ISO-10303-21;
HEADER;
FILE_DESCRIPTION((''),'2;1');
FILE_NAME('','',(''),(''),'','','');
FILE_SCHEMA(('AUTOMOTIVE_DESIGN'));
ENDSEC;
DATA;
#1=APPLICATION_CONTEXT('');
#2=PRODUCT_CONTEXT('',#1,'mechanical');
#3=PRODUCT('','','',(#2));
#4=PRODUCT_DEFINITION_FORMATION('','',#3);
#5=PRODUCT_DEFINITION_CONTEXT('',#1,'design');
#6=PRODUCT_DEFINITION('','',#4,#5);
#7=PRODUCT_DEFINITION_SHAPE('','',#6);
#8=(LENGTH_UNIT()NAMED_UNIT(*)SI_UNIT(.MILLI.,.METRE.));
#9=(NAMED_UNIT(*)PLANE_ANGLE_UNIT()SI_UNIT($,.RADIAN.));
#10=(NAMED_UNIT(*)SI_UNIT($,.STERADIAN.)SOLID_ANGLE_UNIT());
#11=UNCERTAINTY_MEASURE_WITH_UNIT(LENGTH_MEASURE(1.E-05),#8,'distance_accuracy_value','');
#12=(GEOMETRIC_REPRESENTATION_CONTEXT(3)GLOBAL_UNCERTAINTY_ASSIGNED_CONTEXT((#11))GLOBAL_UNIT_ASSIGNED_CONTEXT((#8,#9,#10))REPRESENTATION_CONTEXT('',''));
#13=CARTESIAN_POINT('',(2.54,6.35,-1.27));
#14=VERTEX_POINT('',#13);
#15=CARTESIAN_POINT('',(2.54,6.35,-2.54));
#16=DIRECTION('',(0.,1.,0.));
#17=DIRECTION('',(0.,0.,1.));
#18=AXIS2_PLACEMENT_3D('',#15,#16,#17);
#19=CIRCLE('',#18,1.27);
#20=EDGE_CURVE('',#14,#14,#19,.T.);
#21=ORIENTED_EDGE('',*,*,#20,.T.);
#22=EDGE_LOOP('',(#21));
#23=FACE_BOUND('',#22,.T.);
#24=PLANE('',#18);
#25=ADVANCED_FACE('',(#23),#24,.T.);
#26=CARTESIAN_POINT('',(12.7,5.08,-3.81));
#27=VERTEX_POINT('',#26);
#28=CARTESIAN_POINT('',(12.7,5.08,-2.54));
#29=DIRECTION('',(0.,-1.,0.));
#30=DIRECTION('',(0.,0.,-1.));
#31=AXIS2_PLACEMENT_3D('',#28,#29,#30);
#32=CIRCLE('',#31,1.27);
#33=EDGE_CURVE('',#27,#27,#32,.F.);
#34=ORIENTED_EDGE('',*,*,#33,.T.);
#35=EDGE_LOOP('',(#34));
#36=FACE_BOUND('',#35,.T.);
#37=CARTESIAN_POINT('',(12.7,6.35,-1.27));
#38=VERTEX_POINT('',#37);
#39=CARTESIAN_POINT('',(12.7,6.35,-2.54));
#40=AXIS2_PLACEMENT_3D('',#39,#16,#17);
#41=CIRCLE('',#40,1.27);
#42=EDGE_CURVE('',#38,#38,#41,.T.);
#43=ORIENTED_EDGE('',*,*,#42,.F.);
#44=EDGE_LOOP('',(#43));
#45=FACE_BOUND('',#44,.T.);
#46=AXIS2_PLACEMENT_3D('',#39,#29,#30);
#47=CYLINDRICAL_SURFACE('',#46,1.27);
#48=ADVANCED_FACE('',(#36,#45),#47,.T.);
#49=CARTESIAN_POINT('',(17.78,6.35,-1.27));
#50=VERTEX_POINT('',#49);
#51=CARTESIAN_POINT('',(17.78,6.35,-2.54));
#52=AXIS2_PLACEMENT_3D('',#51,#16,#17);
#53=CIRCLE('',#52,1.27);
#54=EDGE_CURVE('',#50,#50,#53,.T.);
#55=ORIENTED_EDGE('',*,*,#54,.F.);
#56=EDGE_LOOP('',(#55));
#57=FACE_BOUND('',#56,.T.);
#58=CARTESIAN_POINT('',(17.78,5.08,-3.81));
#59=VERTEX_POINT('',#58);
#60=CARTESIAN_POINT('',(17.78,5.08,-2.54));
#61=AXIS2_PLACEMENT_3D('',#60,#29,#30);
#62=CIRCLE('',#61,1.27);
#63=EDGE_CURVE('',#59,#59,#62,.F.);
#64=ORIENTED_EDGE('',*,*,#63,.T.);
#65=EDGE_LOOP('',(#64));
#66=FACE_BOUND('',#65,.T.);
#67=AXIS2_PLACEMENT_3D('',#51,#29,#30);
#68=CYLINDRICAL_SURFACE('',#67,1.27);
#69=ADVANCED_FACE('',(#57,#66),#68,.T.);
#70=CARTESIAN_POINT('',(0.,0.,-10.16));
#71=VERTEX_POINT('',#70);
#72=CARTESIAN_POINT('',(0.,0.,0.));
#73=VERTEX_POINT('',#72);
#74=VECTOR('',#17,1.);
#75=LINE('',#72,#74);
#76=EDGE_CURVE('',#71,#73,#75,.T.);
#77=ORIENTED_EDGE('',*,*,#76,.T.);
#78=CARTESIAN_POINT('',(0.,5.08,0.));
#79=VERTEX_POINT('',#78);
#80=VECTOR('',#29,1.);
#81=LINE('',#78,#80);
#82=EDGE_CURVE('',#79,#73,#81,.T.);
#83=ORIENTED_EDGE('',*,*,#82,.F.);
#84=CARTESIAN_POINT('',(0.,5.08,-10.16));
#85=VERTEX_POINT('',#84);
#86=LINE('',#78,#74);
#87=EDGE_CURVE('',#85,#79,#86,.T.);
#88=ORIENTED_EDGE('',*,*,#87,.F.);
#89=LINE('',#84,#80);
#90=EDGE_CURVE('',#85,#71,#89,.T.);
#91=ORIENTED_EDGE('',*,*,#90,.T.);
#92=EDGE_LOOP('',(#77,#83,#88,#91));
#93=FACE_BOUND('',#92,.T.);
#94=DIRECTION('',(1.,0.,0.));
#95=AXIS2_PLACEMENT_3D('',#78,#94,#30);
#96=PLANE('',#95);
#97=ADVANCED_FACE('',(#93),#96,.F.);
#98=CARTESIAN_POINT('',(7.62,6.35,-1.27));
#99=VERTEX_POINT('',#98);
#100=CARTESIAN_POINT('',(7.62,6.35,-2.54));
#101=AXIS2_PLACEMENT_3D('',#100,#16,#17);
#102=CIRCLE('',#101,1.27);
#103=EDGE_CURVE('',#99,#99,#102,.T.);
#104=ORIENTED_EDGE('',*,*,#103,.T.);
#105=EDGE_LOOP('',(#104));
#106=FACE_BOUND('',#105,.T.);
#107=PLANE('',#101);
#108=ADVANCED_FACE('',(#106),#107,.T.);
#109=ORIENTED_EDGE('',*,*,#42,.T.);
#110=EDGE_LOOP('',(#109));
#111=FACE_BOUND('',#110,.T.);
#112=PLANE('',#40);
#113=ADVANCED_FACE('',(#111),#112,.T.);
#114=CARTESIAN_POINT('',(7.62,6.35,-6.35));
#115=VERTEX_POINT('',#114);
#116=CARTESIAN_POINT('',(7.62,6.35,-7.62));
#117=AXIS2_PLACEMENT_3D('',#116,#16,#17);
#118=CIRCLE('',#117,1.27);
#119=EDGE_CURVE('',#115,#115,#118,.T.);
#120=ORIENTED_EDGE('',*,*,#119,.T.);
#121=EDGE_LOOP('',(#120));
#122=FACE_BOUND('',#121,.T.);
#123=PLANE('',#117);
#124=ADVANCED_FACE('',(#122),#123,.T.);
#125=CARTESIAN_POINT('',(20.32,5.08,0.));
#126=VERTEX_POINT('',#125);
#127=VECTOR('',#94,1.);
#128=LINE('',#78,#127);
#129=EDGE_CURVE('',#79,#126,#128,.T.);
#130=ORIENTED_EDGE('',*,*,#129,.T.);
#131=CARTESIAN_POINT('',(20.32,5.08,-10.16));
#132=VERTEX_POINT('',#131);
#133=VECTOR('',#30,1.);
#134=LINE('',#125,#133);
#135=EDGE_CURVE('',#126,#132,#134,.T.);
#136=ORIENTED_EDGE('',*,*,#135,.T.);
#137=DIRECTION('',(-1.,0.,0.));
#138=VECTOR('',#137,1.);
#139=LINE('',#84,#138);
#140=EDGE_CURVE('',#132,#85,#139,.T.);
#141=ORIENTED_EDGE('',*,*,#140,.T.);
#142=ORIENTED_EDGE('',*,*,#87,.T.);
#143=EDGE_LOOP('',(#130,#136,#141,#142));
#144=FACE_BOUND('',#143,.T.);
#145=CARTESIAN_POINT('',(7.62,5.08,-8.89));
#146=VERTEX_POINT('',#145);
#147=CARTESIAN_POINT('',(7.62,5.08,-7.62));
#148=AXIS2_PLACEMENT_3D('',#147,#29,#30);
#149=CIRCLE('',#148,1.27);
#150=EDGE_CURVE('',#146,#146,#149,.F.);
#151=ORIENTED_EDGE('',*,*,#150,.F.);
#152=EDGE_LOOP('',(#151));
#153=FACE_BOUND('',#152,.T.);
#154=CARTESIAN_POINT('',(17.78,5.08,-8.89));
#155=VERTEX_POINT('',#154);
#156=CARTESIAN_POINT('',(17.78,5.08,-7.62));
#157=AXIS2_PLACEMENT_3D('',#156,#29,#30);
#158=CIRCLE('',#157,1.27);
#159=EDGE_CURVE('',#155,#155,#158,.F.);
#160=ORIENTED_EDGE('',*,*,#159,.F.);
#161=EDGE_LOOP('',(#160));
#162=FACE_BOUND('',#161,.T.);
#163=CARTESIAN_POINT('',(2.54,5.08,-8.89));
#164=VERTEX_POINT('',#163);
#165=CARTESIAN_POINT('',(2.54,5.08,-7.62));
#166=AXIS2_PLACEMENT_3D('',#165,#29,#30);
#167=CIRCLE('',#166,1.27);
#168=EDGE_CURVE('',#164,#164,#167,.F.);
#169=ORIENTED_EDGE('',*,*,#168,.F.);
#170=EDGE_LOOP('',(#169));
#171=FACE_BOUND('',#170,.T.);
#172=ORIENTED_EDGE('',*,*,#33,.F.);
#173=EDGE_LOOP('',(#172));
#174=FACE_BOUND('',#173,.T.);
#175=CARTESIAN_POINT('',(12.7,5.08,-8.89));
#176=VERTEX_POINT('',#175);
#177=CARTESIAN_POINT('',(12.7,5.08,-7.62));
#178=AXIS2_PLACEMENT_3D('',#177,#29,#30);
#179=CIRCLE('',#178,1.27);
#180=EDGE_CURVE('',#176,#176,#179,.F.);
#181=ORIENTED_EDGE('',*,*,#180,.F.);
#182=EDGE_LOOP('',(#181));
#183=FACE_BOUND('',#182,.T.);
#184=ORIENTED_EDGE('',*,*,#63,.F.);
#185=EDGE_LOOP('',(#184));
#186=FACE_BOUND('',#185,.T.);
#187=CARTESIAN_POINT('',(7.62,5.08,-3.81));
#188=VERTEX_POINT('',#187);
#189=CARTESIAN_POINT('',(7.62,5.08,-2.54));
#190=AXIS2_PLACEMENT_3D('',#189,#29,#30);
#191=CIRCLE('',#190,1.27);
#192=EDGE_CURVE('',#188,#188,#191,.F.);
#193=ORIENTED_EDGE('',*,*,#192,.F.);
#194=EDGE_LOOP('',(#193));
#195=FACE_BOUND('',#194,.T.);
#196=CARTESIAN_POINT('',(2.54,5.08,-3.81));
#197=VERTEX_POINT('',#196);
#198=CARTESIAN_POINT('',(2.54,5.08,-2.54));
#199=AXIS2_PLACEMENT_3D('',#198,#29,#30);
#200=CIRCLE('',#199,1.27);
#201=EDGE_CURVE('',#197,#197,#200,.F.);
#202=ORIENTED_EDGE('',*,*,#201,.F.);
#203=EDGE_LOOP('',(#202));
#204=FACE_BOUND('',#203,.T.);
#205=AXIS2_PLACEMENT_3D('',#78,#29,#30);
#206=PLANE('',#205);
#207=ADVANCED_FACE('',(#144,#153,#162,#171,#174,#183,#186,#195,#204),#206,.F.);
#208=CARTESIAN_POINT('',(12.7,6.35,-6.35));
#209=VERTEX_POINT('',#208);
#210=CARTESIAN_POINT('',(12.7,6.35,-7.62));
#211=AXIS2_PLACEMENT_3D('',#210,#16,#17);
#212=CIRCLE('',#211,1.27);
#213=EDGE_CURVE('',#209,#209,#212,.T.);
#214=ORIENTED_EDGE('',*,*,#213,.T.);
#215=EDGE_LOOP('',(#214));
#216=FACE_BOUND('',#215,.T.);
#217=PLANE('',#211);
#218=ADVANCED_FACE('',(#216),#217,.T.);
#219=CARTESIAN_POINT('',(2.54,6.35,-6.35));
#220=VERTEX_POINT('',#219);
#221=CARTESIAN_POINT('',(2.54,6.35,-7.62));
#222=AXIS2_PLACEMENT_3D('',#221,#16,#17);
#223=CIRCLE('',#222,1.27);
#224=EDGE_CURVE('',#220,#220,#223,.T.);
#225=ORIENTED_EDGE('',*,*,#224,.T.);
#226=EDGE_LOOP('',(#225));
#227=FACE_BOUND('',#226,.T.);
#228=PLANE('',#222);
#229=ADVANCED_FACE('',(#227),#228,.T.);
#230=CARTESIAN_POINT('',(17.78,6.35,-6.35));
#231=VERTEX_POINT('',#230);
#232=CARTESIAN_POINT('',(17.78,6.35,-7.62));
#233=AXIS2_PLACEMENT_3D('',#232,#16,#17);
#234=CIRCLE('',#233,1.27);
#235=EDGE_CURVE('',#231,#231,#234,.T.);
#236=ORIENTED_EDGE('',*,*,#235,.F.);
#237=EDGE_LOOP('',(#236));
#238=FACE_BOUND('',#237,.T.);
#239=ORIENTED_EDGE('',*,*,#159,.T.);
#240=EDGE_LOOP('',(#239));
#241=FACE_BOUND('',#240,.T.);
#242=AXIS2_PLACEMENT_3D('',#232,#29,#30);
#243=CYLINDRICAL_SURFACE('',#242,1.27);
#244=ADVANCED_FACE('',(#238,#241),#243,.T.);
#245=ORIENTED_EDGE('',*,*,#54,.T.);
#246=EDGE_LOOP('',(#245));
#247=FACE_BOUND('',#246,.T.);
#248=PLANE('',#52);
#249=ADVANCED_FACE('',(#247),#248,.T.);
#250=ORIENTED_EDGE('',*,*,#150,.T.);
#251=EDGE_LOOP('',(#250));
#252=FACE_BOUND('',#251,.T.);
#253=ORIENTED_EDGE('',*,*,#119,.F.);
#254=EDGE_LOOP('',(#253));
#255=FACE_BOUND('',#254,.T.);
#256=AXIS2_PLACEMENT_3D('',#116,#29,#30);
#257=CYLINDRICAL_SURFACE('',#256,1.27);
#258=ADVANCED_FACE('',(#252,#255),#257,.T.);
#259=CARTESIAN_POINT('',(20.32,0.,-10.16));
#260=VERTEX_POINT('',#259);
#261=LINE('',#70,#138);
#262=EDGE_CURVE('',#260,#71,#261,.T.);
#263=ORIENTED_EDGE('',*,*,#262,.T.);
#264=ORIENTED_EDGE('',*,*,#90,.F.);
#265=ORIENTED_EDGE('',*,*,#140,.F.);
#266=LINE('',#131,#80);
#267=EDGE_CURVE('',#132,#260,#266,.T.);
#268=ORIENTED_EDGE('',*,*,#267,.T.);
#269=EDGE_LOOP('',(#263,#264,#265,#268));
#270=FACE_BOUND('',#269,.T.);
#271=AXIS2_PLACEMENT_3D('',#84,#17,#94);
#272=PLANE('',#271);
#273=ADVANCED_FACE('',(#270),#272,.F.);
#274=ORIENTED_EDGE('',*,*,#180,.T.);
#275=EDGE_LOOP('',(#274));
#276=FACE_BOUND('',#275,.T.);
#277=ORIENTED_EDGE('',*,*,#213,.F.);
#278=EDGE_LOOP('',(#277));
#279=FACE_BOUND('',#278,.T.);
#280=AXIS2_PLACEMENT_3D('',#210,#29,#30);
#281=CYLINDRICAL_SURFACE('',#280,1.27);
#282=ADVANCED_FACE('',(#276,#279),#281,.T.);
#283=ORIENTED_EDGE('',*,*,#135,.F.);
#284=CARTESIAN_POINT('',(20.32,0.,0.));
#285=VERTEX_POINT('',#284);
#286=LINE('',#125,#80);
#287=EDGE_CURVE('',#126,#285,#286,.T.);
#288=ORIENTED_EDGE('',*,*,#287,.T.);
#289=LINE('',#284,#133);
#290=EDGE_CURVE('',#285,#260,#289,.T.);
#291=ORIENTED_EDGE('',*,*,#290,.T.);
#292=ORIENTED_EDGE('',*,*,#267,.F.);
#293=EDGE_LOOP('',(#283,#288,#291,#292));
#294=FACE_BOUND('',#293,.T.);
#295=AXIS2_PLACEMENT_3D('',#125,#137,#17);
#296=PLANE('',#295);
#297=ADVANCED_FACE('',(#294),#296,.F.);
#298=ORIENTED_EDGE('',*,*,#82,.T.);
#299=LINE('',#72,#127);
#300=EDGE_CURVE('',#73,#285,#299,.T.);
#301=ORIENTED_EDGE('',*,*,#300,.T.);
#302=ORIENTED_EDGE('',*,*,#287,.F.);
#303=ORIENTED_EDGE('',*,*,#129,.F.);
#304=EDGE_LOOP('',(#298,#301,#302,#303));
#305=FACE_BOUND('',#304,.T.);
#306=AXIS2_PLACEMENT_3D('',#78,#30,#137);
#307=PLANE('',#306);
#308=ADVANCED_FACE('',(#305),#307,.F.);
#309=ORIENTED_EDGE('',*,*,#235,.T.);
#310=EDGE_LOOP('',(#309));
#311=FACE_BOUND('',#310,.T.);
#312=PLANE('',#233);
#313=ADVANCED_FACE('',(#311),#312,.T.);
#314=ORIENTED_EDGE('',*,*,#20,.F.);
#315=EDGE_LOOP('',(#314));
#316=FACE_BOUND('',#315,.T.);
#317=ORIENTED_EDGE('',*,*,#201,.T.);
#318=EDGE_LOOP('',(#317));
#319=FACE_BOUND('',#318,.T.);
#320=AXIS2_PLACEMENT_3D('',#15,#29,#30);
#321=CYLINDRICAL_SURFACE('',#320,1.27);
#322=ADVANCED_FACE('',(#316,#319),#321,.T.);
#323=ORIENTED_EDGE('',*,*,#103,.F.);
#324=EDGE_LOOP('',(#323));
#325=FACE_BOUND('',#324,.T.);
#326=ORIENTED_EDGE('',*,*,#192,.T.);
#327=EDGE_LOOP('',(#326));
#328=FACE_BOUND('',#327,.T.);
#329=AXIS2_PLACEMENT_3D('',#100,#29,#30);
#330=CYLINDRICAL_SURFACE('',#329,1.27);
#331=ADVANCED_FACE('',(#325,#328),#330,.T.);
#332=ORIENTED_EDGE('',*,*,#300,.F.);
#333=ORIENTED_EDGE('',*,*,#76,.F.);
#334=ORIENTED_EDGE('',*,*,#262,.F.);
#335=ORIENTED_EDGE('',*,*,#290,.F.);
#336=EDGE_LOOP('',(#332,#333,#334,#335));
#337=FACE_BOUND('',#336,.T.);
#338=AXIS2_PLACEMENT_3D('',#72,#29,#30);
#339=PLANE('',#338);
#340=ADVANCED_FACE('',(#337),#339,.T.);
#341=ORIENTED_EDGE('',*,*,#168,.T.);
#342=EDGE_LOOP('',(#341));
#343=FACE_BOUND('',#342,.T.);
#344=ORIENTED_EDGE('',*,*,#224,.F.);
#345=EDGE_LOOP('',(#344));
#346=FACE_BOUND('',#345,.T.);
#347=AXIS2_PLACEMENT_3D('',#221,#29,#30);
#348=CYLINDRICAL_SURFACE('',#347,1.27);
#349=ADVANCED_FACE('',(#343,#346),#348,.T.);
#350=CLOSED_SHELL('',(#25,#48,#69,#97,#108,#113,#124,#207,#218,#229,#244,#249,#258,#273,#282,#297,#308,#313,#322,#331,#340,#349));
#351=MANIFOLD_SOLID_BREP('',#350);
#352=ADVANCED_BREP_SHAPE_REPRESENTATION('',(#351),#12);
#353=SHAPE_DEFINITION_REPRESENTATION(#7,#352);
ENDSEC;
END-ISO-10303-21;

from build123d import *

# Parameters (mm, degrees)
SKETCH1_W            = 20.32
SKETCH1_H            = 10.16
BOSS_EXTRUDE1_DEPTH  = 5.08
SKETCH2_R            = 1.27
BOSS_EXTRUDE2_DEPTH  = 1.27
LPATTERN1_COUNT      = 4
LPATTERN1_PITCH      = 5.08
LPATTERN1_COUNT_DIR2 = 2
LPATTERN1_PITCH_DIR2 = 5.08


with BuildPart() as part:
    # Sketch1 → Boss-Extrude1 (new body)
    with BuildSketch(Plane(origin=(0, 0, 0), x_dir=(1, 0, 0), z_dir=(0, 1, 0))):
        with Locations((10.16, 5.08)):
            Rectangle(SKETCH1_W, SKETCH1_H)
    extrude(amount=BOSS_EXTRUDE1_DEPTH)

    # Sketch2 → Boss-Extrude2 (add)
    with BuildSketch(Plane(origin=(0, 5.08, 0), x_dir=(1, 0, 0), z_dir=(0, 1, 0))):
        with Locations(Location((2.54, 2.54, 0), (0, 0, 90))):
            Circle(SKETCH2_R)
    boss_extrude2 = extrude(amount=BOSS_EXTRUDE2_DEPTH)

    # LPattern1: Boss-Extrude2 4 × 2
    with Locations(*[(i * LPATTERN1_PITCH, 0, -j * LPATTERN1_PITCH_DIR2) for i in range(LPATTERN1_COUNT) for j in range(LPATTERN1_COUNT_DIR2) if (i, j) != (0, 0)]):
        add(boss_extrude2)


solid = part.part
